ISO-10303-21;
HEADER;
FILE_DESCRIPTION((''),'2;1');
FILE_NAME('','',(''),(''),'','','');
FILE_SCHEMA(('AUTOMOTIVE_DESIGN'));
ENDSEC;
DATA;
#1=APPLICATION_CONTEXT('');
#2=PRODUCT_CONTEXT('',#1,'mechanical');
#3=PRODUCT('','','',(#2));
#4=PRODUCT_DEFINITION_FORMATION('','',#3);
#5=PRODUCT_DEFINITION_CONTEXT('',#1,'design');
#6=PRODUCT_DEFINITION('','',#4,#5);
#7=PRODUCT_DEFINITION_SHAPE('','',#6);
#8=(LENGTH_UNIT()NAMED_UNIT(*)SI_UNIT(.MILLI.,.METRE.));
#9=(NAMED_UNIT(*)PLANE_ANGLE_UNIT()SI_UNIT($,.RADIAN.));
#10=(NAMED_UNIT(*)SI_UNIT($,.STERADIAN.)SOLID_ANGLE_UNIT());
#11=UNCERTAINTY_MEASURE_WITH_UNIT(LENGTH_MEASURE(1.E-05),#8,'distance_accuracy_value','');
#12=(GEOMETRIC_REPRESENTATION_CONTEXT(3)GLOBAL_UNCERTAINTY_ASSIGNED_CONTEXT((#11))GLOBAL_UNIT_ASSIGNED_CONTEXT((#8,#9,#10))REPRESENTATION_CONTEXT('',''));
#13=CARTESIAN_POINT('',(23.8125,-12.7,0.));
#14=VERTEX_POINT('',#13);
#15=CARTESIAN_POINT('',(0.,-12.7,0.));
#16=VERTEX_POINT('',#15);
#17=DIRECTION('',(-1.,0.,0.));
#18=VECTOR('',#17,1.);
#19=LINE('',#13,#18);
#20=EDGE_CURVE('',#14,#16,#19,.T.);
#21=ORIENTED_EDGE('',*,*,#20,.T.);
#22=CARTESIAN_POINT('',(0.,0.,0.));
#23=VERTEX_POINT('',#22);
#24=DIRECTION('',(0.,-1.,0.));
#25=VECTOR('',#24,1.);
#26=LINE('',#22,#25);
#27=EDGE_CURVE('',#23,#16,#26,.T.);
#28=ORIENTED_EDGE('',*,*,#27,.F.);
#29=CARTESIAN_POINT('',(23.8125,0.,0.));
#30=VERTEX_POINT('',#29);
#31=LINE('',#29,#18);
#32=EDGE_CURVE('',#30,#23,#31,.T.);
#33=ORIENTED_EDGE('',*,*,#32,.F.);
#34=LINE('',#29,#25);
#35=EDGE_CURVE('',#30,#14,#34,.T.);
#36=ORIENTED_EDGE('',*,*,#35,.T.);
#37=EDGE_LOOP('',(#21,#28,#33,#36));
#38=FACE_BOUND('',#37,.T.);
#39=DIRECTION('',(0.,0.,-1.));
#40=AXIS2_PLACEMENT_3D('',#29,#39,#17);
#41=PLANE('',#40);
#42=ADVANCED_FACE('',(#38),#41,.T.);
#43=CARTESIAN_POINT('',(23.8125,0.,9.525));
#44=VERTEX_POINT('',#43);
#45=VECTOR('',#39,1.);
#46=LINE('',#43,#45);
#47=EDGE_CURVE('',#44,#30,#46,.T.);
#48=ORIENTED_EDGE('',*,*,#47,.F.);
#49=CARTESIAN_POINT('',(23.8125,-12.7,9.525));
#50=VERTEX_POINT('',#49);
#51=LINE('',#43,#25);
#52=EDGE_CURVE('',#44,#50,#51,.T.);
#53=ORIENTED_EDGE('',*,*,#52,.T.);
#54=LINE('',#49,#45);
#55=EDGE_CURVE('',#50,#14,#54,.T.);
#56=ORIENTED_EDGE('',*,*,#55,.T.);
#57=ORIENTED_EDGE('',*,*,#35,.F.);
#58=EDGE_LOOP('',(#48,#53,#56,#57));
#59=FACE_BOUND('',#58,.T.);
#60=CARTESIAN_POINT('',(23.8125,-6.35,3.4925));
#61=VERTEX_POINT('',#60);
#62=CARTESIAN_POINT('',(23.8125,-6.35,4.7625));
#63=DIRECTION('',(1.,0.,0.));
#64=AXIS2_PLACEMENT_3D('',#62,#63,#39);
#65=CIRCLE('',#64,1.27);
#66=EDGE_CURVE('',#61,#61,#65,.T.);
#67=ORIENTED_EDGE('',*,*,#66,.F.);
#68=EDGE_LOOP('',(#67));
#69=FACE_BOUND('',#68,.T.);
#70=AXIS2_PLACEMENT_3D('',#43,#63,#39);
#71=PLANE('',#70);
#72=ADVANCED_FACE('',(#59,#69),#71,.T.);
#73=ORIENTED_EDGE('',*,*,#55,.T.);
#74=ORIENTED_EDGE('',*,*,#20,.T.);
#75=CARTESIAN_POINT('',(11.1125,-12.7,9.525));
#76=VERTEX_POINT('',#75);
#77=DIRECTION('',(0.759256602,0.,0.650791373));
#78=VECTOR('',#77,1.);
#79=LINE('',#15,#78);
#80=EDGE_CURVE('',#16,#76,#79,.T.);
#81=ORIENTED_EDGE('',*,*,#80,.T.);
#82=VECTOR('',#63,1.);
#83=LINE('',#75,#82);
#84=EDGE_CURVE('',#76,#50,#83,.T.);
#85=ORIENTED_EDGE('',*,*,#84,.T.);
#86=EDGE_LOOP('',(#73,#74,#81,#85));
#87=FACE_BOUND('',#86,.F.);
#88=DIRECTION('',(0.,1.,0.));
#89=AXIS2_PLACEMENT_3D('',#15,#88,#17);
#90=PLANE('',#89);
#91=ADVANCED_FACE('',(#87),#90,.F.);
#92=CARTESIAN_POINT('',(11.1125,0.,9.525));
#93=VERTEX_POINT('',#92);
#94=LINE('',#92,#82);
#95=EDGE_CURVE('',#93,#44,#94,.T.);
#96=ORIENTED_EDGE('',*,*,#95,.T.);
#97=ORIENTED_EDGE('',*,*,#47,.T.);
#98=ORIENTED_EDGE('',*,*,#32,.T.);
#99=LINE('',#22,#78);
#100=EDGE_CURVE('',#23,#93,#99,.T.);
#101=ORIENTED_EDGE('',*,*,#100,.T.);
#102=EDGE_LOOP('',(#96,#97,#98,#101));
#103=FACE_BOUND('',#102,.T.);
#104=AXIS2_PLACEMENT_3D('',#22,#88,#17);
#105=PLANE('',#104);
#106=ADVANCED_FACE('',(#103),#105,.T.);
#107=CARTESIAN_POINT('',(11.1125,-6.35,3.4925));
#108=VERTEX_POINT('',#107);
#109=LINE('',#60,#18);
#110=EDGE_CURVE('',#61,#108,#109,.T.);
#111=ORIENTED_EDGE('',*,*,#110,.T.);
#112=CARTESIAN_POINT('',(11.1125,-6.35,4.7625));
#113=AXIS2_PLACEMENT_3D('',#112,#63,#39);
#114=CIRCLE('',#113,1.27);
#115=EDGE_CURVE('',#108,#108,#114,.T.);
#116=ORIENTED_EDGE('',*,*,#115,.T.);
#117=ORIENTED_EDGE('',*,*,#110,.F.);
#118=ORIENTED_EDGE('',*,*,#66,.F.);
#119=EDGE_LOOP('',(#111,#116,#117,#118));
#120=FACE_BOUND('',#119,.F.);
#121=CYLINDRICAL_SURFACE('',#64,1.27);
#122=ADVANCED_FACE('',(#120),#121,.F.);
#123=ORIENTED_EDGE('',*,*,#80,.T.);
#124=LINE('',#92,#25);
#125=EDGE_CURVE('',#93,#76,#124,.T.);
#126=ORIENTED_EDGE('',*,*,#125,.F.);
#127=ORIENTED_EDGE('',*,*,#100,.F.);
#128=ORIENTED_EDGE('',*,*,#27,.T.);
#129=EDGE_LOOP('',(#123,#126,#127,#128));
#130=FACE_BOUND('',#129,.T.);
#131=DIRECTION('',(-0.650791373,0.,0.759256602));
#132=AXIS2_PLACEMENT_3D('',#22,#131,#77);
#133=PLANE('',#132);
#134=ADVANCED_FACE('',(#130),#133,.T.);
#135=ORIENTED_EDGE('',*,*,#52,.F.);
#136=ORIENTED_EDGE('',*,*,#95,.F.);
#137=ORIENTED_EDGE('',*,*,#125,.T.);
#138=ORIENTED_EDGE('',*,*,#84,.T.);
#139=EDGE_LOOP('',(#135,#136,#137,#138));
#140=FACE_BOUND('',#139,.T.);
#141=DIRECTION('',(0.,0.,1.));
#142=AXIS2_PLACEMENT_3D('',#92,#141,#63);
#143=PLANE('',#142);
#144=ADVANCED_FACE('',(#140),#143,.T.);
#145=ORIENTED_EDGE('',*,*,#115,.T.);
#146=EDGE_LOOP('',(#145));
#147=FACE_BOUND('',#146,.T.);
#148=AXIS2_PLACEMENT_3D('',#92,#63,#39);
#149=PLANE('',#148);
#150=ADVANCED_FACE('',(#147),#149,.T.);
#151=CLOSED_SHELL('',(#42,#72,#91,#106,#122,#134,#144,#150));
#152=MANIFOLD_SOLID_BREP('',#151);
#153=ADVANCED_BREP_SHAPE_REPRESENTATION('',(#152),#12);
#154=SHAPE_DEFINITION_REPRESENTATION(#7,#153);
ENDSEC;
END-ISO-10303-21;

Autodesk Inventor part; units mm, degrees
ref_plane "YZ Plane" through (0, 0, 0) normal (1, 0, 0) x (0, 1, 0)
ref_plane "XZ Plane" through (0, 0, 0) normal (0, 1, 0) x (-1, 0, 0)
ref_plane "XY Plane" through (0, 0, 0) normal (0, 0, 1) x (1, 0, 0)
sketch "Sketch1" plane through (0, 0, 0) normal (0, 1, 0) x (-1, 0, 0)
  line L0 (0, 0) -> (-11.1125, 9.525)
  line L1 (-11.1125, 9.525) -> (-23.8125, 9.525)
  line L2 (-23.8125, 9.525) -> (-23.8125, 0)
  line L3 (-23.8125, 0) -> (0, 0)
  dimension "plungerWidth" = 9.525
  dimension "plungerLength" = 12.7
  dimension "latchLength" = 11.1125
extrude "Extrusion1" add sketch "Sketch1" against normal blind 12.7
sketch "Sketch2" plane through (23.8125, 0, 9.525) normal (1, 0, 0) x (0, 0, -1)
  circle A0 centre (4.7625, -6.35) radius 1.27
  line L0 (0, 0) -> (9.525, 0) projected
  line L1 (0, 0) -> (0, -12.7) projected
  dimension "screwDiameter" = 2.54
  dimension "d8" = 6.35
  dimension "d9" = 4.7625
extrude "Extrusion2" cut sketch "Sketch2" against normal blind 12.7
equation "\"d8\" = 0.5 * plungerHeight"
equation "\"d9\" = 0.5 * plungerWidth"
equation "\"screwDepth\" = plungerLength"
equation "\"plungerTolerance\" = 1.5875"
equation "\"plungerHeight\" = 12.7"
properties part number "BatteryLatch-Latch"
